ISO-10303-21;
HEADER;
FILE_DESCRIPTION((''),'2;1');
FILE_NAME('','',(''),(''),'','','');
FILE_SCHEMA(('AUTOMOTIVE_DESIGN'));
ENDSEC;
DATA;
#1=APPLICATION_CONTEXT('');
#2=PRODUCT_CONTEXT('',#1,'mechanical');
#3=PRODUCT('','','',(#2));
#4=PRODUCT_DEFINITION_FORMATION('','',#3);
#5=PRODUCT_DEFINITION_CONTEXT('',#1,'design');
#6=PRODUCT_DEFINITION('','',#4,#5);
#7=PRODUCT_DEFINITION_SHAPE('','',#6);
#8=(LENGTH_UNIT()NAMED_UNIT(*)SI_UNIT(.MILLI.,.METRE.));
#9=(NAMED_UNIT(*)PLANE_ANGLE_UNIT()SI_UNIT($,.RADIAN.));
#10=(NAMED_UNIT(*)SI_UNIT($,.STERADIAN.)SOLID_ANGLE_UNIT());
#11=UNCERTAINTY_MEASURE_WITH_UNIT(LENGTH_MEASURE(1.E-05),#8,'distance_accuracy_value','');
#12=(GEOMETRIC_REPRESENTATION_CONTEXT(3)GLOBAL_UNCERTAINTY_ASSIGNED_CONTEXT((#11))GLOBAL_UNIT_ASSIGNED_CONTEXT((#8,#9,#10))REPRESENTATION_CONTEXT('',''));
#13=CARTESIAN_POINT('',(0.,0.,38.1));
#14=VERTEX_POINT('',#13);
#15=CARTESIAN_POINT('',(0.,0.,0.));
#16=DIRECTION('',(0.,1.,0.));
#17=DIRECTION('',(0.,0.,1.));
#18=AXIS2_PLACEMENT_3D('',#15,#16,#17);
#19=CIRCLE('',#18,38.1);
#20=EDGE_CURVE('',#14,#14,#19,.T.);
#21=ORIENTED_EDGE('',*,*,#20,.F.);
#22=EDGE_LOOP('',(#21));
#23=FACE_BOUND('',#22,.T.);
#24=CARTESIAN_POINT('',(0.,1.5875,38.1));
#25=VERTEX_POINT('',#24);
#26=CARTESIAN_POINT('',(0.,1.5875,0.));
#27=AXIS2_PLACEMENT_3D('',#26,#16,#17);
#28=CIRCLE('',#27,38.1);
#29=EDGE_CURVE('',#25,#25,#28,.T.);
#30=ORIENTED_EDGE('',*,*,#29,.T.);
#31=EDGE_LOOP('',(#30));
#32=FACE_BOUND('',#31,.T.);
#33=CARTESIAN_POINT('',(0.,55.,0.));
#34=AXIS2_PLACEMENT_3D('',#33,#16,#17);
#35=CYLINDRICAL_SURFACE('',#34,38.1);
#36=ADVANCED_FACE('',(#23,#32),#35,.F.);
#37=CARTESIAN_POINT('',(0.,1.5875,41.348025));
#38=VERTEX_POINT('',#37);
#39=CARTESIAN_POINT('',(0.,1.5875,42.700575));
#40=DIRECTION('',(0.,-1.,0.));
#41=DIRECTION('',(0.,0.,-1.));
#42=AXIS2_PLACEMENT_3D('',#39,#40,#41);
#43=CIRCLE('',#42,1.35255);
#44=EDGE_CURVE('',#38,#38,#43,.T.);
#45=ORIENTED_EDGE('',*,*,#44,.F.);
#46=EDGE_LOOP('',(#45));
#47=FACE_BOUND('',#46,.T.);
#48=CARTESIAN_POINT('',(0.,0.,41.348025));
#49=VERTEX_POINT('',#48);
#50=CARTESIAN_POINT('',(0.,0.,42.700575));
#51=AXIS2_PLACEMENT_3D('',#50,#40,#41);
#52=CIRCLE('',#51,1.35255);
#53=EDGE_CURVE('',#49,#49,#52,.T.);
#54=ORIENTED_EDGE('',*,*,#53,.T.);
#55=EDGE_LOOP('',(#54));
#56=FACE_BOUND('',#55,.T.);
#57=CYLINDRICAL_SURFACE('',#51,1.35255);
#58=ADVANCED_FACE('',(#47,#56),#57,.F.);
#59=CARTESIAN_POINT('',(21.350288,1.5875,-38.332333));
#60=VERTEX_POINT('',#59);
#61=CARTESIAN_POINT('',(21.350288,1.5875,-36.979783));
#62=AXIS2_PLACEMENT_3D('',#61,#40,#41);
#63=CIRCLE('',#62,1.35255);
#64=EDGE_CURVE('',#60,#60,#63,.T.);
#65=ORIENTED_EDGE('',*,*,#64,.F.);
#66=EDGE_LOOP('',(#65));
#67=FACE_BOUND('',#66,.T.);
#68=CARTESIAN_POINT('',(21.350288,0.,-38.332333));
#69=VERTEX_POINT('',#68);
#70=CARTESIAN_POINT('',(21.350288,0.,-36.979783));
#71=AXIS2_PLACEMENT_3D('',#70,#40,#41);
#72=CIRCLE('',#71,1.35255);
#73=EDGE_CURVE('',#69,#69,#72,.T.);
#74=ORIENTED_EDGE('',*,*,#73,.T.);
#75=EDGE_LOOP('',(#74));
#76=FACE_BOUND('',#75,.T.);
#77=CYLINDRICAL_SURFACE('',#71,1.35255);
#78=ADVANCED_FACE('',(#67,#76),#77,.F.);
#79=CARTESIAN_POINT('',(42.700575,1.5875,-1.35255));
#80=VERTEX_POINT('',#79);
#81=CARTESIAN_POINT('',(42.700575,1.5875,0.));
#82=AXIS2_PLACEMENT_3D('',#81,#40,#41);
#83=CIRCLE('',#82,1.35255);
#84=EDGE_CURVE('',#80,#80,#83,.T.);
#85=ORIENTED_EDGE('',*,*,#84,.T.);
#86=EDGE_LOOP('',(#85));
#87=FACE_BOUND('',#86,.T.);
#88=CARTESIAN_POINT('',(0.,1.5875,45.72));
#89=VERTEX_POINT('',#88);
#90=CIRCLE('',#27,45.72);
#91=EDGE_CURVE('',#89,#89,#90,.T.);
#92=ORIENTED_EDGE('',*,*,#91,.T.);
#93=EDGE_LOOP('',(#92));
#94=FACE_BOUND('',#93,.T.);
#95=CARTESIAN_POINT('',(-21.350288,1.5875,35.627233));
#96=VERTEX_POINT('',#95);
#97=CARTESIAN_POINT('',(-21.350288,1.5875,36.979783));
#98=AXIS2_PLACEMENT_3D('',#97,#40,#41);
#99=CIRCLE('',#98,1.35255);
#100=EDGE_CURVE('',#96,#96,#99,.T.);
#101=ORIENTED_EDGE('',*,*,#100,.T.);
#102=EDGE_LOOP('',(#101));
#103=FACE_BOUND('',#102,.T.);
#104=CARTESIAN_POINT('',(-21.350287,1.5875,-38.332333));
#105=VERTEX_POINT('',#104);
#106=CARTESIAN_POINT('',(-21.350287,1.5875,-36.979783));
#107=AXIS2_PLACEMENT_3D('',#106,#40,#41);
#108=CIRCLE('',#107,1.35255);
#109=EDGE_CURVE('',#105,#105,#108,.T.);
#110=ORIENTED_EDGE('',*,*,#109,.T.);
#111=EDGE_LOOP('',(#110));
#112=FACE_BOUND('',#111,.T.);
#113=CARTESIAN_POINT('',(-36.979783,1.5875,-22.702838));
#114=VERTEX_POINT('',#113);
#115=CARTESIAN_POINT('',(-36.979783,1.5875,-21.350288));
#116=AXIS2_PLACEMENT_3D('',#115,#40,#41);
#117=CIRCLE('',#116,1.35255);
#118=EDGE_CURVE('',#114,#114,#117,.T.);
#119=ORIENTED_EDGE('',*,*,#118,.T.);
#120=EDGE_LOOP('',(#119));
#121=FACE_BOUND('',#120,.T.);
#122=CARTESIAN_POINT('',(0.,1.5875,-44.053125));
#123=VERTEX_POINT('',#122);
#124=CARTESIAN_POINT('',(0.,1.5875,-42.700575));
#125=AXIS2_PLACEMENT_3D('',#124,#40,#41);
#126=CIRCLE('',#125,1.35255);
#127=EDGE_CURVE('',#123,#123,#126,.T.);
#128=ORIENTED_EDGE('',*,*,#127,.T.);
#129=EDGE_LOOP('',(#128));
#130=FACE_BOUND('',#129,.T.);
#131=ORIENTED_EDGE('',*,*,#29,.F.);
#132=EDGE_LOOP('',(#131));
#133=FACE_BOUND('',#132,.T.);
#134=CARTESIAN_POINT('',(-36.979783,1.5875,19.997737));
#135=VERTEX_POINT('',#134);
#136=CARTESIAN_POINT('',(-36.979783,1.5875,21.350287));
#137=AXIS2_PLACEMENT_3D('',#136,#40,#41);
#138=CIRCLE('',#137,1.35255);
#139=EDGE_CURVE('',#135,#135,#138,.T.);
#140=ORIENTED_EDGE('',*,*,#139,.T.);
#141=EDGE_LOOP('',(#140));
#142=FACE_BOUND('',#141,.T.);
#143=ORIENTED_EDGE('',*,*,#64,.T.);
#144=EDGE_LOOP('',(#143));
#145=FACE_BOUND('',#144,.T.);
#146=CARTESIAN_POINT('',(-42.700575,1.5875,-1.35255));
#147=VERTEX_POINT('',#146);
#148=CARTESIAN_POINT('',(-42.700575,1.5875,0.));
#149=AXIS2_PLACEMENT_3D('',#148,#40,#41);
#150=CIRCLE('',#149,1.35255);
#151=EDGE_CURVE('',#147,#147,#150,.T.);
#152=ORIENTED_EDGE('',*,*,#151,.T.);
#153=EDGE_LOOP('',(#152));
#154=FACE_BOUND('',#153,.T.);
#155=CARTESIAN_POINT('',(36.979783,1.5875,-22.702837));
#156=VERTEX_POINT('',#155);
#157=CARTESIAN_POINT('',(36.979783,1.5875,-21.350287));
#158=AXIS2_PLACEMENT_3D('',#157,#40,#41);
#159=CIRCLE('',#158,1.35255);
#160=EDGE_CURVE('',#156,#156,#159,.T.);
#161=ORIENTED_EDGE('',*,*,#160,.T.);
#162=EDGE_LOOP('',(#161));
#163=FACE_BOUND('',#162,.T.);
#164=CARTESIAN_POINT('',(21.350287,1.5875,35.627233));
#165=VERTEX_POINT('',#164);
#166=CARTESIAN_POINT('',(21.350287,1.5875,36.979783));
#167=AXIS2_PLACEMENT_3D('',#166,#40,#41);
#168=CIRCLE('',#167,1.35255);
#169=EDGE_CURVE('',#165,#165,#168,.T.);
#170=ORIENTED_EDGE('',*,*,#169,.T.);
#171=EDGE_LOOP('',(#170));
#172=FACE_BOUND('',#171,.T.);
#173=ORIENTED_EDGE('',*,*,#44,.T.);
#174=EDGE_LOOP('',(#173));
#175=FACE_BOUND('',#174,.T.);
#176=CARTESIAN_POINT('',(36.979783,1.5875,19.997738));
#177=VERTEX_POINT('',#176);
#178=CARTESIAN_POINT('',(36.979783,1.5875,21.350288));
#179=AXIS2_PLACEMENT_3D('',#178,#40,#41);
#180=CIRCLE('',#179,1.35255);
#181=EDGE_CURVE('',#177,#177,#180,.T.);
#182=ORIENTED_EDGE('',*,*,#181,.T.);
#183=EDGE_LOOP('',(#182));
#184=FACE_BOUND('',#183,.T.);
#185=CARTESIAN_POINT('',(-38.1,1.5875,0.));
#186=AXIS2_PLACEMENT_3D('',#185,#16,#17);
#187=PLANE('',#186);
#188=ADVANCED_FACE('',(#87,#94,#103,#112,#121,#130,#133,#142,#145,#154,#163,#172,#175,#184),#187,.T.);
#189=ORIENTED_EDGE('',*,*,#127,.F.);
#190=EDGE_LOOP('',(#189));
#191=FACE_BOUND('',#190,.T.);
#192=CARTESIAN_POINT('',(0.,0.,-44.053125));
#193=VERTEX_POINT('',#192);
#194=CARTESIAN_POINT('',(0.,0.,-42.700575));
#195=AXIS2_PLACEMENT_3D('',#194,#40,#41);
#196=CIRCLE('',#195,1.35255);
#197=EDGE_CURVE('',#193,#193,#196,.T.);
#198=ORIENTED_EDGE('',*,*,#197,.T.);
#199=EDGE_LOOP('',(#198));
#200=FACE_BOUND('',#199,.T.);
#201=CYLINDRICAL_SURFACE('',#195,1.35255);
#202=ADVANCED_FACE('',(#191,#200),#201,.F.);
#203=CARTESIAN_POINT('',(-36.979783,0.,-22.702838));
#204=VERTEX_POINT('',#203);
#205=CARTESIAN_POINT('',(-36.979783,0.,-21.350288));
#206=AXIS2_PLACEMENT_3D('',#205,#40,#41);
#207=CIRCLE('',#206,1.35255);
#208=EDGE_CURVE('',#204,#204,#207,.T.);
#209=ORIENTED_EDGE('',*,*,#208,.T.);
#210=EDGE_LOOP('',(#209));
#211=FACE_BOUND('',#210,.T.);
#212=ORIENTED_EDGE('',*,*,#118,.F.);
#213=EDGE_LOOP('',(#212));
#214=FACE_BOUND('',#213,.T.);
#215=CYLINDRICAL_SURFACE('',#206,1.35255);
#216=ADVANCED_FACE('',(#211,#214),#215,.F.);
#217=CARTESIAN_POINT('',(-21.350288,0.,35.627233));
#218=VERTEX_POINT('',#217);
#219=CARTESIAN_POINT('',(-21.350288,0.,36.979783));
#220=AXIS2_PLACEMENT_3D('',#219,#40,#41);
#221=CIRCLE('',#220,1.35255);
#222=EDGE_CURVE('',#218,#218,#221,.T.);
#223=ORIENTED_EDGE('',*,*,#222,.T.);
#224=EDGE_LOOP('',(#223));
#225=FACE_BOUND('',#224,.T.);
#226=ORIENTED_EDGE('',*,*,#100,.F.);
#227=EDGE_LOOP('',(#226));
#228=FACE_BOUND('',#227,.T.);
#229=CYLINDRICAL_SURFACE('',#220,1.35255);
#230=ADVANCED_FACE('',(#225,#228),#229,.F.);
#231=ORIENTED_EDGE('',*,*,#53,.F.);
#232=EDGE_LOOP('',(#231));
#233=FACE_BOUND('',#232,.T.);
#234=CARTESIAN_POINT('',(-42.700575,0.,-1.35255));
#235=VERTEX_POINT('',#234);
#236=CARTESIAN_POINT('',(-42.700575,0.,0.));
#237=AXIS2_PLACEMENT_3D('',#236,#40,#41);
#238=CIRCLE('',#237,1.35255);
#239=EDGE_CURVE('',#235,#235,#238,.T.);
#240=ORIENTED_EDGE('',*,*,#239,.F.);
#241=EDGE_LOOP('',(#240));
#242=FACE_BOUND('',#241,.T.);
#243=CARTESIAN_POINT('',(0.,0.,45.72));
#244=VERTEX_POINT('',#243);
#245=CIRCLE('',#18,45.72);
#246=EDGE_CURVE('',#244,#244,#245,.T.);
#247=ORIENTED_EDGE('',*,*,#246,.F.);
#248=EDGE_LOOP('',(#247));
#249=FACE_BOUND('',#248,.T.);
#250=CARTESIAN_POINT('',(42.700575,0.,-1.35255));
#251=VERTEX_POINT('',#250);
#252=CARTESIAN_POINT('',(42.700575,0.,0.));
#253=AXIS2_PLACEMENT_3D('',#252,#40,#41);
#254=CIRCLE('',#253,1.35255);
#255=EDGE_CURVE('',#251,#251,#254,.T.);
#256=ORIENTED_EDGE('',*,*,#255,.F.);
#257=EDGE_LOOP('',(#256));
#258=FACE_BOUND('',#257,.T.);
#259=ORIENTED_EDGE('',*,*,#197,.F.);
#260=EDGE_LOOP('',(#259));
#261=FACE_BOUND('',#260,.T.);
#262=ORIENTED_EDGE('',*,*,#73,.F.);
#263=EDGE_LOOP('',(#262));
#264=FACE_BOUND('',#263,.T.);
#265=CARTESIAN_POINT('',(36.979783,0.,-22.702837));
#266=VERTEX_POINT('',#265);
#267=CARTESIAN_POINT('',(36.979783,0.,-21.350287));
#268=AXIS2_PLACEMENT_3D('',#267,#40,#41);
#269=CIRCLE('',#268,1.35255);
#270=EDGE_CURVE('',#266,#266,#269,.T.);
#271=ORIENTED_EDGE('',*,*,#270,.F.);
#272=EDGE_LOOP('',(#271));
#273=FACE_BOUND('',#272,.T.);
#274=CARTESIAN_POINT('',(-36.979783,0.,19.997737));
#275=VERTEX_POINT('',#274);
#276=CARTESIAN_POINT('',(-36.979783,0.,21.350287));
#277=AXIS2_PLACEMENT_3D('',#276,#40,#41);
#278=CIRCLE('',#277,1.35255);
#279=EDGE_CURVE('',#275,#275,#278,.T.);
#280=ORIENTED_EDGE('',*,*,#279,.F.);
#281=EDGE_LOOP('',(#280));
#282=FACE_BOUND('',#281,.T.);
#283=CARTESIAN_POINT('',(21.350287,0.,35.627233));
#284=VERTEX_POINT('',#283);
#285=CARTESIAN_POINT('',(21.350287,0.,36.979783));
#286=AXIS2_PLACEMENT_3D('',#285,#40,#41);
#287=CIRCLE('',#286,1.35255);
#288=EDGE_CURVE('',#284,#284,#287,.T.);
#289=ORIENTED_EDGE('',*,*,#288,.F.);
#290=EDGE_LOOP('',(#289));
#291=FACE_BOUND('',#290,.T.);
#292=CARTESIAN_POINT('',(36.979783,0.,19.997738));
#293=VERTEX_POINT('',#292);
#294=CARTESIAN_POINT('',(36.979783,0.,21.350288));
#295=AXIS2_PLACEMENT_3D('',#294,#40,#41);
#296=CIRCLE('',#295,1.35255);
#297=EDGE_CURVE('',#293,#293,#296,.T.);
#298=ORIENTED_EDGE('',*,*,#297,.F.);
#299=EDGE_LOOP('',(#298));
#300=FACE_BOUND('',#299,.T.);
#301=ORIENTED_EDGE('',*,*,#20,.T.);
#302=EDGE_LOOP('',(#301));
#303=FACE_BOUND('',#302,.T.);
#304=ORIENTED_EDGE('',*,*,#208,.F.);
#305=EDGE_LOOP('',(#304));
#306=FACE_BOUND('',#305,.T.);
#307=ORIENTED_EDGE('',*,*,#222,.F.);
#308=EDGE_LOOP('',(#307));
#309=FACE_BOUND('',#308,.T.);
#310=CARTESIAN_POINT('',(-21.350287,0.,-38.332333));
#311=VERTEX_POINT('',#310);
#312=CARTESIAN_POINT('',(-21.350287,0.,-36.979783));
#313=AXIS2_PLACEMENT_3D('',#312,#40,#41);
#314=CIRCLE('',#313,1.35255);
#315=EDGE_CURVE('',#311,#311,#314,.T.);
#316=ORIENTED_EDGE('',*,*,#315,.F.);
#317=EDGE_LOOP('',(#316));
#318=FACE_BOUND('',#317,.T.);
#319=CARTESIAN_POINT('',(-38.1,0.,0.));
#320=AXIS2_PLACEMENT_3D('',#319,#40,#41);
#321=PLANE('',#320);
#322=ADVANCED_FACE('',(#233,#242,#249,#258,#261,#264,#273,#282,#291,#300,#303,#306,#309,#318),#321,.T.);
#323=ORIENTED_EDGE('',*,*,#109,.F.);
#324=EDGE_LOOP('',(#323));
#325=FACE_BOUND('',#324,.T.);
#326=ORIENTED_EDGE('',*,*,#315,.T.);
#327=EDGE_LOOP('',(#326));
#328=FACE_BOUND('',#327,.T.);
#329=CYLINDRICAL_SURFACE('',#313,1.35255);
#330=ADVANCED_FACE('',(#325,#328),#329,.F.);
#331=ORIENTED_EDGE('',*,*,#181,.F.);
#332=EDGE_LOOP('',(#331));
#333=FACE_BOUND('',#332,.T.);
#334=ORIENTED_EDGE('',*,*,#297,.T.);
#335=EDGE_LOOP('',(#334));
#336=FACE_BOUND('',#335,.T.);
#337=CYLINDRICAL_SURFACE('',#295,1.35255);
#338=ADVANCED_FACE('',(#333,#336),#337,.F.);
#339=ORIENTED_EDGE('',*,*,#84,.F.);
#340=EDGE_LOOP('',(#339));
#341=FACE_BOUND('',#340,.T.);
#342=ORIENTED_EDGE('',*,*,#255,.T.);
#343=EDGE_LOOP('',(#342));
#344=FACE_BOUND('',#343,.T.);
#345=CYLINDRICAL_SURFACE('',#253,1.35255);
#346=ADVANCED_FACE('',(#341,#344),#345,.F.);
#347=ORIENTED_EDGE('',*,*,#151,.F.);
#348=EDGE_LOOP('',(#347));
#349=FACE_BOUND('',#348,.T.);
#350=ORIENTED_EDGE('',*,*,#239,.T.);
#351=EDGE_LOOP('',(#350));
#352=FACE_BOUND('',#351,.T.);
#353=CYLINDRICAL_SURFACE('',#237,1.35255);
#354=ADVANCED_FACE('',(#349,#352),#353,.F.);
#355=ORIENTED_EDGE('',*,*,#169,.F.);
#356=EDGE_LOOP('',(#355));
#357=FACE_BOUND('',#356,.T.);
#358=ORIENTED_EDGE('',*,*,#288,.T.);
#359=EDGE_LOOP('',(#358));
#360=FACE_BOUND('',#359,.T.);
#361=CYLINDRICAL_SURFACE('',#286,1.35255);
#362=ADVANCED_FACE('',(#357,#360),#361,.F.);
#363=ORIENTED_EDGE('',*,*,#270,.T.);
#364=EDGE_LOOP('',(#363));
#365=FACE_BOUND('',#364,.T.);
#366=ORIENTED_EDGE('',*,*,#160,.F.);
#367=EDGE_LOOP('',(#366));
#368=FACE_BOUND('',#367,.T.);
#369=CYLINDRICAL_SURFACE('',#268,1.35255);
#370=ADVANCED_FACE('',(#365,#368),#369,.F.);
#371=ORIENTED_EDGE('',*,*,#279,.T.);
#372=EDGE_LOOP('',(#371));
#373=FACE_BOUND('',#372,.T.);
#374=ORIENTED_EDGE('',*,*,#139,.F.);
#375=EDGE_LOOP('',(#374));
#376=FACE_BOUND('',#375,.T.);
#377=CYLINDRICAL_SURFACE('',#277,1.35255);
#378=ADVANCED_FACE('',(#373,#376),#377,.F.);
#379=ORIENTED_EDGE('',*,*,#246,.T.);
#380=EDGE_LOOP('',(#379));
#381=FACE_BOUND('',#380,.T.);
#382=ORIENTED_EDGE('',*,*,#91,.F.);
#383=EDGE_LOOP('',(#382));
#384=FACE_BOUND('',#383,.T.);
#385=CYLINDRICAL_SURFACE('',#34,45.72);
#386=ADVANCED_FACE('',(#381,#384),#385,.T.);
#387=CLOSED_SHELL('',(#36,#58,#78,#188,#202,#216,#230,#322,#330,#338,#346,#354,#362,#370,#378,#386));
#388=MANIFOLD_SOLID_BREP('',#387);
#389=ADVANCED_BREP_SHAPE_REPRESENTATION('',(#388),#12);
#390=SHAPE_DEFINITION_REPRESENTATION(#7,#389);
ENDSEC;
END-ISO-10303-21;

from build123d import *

# Parameters (mm, degrees)
SKETCH1_W                    = 7.62
SKETCH1_H                    = 1.5875
F_36_0_1065_DIAMETER_HOLE1_D = 2.7051
SCREW_PASSTHROUGHS_COUNT     = 12


with BuildPart() as part:
    # Sketch1 → Main (revolve)
    with BuildSketch(Plane.XY):
        with Locations((-41.91, 0.79375)):
            Rectangle(SKETCH1_W, SKETCH1_H)
    revolve(axis=Axis((0, 55, 0), (0, -1, 0)))

    # #36 (0.1065) Diameter Hole1 (through all)
    with Locations(Plane(origin=(0, 0, 0), x_dir=(-1, 0, 0), z_dir=(0, -1, 0))):
        with Locations((42.700575, 0)):
            f_36_0_1065_diameter_hole1 = Hole(F_36_0_1065_DIAMETER_HOLE1_D / 2)

    # Screw Passthroughs: #36 (0.1065) Diameter Hole1 ×12 about axis
    screw_passthroughs_axis = Axis((0, 0, 0), (0, 1, 0))
    for i in range(1, SCREW_PASSTHROUGHS_COUNT):
        add(f_36_0_1065_diameter_hole1.rotate(screw_passthroughs_axis, i * 360 / SCREW_PASSTHROUGHS_COUNT), mode=Mode.SUBTRACT)


solid = part.part
